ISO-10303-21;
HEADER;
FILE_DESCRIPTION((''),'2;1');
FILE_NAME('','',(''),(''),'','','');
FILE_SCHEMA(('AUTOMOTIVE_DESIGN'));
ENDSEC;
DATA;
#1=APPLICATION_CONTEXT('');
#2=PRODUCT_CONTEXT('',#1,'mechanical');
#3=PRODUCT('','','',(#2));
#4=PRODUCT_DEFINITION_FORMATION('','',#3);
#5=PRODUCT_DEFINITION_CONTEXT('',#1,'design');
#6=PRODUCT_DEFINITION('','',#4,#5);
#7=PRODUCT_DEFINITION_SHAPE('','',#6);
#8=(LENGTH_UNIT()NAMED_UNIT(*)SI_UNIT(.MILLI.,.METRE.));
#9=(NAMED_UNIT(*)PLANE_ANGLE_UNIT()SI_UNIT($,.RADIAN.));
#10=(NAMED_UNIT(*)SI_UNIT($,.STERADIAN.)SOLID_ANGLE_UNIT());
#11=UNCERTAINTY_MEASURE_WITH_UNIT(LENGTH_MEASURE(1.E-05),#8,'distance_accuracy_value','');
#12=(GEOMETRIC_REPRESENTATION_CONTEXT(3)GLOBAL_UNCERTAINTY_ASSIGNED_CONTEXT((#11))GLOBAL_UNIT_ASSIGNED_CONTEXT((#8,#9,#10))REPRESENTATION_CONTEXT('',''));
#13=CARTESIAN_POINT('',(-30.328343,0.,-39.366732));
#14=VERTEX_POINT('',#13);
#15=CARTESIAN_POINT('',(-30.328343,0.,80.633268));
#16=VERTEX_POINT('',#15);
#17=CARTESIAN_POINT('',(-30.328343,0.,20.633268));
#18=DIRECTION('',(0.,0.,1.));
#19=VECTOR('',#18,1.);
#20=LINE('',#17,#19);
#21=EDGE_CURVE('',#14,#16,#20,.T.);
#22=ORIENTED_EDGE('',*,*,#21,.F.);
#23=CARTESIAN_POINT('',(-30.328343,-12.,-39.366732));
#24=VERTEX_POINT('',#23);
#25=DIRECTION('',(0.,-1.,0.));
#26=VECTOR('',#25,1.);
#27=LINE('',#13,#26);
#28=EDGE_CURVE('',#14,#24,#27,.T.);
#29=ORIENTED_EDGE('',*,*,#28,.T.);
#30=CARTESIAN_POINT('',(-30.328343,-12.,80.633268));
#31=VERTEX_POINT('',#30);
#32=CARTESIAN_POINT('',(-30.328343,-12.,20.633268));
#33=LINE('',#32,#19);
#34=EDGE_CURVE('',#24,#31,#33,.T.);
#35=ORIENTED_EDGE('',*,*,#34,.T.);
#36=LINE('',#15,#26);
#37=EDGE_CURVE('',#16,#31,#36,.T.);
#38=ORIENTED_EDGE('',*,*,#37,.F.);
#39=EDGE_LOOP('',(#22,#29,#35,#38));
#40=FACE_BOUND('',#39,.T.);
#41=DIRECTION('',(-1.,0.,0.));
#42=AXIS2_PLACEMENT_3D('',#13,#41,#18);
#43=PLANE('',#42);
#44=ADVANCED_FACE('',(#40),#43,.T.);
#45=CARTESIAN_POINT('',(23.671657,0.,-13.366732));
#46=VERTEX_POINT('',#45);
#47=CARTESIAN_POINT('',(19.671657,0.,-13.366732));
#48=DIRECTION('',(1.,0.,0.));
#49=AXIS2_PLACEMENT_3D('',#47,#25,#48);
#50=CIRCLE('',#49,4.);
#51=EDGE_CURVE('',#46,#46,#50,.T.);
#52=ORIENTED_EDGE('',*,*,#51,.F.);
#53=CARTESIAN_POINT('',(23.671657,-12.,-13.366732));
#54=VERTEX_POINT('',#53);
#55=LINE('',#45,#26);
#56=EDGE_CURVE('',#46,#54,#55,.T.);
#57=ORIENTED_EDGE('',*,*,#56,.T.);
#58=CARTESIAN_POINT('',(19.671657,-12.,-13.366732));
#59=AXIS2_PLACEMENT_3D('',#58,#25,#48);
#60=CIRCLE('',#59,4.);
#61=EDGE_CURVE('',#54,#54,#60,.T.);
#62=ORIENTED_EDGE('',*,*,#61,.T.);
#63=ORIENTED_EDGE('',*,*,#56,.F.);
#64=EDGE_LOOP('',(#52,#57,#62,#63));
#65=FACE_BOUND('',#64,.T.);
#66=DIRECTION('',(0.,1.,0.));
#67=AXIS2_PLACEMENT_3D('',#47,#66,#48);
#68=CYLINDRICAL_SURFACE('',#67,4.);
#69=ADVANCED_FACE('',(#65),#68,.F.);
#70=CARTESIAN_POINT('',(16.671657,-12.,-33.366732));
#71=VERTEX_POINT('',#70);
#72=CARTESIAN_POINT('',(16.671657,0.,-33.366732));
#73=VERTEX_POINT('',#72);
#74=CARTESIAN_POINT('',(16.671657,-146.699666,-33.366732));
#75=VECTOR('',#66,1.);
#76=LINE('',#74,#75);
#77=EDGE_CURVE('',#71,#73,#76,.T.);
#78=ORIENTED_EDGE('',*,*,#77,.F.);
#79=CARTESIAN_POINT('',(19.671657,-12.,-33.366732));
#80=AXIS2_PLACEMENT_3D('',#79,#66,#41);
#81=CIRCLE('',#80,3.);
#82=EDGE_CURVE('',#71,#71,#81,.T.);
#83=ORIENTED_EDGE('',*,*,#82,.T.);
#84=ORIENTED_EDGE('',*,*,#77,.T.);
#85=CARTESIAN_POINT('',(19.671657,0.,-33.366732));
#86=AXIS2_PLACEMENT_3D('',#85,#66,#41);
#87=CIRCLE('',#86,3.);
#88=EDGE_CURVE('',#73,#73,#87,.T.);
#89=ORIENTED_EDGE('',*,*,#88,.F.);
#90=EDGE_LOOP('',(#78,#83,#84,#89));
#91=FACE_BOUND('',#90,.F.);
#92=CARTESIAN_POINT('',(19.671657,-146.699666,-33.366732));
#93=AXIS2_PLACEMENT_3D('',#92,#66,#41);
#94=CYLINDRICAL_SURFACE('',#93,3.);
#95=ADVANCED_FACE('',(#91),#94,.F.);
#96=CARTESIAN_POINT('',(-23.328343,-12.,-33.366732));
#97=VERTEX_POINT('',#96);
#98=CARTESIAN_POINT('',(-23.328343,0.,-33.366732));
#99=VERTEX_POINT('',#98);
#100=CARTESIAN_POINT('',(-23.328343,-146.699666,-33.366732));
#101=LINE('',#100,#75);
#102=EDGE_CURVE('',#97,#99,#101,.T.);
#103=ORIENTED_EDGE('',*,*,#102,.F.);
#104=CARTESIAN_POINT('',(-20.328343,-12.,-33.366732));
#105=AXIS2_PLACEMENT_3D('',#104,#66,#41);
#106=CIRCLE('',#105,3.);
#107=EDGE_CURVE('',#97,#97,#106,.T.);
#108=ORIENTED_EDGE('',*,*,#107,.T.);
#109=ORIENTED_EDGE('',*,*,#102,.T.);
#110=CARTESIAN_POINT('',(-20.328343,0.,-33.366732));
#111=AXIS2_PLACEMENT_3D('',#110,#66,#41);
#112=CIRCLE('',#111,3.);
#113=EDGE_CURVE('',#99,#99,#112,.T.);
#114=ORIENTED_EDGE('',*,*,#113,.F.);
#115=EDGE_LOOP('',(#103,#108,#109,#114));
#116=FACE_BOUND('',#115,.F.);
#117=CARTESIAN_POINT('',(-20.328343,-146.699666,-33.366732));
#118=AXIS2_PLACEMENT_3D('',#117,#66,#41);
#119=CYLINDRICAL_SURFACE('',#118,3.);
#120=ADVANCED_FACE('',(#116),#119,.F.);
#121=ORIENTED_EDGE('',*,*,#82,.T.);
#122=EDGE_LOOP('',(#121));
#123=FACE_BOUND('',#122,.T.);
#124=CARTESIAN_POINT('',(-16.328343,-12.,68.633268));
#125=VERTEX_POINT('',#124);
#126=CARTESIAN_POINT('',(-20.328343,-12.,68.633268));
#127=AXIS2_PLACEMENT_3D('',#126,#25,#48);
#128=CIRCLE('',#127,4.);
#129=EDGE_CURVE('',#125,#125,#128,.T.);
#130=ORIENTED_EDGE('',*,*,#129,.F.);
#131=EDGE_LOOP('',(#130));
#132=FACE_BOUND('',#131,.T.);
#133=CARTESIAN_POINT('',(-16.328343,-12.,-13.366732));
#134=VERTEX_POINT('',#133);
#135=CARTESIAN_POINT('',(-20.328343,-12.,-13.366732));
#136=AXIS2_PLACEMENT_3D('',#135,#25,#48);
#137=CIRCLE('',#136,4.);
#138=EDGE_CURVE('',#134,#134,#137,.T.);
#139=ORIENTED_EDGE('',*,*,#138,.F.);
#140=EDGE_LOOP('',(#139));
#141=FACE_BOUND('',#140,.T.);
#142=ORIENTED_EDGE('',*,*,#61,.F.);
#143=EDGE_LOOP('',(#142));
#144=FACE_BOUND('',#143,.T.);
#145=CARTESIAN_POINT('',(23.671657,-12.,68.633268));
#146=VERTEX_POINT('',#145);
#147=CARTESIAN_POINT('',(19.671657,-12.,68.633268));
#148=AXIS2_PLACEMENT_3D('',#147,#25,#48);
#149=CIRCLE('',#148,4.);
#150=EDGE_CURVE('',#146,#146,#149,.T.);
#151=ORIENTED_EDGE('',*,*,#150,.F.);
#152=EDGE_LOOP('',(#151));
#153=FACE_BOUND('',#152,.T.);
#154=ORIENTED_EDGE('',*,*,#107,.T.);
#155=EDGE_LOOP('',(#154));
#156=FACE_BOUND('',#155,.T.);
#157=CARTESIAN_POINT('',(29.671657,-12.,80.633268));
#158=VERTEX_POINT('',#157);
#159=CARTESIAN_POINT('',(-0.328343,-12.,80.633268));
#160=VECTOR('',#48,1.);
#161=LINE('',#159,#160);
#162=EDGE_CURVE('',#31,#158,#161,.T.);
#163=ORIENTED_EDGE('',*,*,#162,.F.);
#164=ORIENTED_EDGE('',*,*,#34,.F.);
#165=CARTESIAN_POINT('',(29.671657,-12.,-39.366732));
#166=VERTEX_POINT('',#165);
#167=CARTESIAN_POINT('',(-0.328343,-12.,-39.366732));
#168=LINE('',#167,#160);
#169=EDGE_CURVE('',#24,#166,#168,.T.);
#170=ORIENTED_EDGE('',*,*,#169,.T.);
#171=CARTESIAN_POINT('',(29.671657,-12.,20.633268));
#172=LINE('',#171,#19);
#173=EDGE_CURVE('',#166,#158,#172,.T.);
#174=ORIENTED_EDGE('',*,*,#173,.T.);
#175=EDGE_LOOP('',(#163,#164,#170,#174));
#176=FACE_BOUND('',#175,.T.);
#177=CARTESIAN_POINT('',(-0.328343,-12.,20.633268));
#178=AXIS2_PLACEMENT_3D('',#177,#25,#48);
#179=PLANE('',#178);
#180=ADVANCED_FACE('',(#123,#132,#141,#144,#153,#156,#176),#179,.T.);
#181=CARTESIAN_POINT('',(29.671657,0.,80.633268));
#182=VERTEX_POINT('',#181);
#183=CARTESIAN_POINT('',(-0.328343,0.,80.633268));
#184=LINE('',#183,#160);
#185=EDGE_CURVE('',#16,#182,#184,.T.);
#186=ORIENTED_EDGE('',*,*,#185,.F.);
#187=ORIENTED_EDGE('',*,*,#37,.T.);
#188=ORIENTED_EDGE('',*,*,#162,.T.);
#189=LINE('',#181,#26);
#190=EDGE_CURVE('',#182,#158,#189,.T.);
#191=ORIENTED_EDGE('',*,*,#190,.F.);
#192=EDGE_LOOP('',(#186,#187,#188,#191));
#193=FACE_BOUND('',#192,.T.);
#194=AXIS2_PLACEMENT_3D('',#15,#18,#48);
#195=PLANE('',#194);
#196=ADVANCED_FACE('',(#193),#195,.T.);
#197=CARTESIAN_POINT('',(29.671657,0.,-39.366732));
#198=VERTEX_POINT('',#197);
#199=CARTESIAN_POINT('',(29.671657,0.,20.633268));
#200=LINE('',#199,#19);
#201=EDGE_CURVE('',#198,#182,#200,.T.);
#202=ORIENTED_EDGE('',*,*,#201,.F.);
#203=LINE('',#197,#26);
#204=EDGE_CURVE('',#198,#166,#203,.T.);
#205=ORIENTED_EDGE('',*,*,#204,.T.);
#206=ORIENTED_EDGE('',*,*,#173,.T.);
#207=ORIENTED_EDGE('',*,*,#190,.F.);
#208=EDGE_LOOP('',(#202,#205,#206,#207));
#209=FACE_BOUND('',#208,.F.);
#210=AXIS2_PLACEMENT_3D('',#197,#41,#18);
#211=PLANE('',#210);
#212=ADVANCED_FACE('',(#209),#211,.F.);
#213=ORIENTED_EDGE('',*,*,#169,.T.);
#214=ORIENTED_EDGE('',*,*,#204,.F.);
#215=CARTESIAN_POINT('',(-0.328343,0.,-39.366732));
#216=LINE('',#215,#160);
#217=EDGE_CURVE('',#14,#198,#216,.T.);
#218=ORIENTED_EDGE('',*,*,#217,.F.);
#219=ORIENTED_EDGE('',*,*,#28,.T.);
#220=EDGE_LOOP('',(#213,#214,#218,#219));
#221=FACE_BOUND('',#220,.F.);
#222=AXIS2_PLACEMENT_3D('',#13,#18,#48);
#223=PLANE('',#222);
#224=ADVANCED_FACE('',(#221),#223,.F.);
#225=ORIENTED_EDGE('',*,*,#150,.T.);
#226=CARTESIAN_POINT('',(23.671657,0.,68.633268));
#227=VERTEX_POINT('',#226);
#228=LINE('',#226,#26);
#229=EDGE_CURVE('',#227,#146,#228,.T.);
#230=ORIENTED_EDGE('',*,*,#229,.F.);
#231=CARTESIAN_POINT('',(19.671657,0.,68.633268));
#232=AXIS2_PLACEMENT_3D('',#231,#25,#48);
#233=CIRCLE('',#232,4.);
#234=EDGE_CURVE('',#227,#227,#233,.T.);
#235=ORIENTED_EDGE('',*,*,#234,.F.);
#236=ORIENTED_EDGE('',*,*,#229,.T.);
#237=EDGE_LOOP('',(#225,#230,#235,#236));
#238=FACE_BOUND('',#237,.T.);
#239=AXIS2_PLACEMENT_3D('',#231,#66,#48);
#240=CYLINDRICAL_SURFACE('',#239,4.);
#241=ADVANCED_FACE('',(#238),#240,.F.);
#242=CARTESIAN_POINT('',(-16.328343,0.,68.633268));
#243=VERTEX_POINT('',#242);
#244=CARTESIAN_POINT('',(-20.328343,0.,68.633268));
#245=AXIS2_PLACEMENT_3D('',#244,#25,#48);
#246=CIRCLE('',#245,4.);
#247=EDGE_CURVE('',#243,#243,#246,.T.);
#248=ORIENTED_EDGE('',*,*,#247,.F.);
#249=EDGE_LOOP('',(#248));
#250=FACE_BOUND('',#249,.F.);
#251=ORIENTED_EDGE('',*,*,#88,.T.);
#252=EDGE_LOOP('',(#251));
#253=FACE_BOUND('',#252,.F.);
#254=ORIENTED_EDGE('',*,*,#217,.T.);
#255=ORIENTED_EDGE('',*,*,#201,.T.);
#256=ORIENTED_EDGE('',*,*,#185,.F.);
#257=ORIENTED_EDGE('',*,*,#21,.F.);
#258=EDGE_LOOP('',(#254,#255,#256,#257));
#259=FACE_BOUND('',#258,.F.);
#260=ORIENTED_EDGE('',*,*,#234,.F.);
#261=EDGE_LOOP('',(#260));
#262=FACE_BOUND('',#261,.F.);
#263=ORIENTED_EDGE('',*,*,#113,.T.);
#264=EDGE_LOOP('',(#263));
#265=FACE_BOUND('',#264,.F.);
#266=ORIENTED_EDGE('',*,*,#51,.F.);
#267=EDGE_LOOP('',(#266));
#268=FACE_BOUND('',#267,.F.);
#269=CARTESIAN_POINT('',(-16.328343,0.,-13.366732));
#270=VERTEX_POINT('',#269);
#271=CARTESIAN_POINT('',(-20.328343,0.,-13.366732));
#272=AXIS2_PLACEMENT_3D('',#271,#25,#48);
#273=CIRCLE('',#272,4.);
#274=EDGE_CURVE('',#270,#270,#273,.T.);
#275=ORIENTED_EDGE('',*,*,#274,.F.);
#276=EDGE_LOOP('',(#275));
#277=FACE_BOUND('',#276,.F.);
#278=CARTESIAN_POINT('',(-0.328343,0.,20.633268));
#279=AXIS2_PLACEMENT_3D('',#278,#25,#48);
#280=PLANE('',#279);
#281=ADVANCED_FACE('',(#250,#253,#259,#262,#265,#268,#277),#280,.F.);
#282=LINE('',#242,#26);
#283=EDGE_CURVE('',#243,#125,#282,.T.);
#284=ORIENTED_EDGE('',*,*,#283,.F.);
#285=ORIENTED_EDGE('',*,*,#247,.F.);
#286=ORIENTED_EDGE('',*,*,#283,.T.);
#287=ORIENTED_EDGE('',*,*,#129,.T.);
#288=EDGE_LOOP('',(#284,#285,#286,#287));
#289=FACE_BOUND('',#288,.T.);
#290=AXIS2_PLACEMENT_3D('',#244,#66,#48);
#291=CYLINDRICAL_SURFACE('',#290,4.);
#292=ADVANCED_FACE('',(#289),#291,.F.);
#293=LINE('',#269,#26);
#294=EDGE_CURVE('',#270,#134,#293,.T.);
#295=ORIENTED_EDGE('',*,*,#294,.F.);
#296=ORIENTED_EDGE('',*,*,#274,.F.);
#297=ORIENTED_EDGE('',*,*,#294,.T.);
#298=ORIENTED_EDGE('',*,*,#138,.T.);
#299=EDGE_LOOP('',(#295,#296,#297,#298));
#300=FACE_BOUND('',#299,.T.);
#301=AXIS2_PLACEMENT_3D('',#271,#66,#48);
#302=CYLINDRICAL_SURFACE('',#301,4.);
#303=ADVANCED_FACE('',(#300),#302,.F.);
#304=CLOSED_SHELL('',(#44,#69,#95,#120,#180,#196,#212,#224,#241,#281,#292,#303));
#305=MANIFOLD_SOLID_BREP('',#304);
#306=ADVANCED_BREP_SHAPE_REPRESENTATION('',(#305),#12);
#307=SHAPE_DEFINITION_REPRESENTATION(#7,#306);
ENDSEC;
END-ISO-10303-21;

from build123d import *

# Parameters (mm, degrees)
F0_W     = 60
F0_H     = 120
F0_R     = 4
F1_DEPTH = 12
F3_D     = 6


with BuildPart() as f1:
    # F0 (on Front) → F1 (new body)
    with BuildSketch(Plane.XZ):
        with Locations((-0.328343, 20.633268)):
            Rectangle(F0_W, F0_H)
        with Locations((-20.328343, -13.366732)):
            Circle(F0_R, mode=Mode.SUBTRACT)
        with Locations((19.671657, -13.366732)):
            Circle(F0_R, mode=Mode.SUBTRACT)
        with Locations((-20.328343, 68.633268)):
            Circle(F0_R, mode=Mode.SUBTRACT)
        with Locations((19.671657, 68.633268)):
            Circle(F0_R, mode=Mode.SUBTRACT)
    extrude(amount=F1_DEPTH)

    # F3 (through all)
    with Locations(Plane.XZ.offset(12)):
        with Locations((-20.328343, -33.366732), (19.671657, -33.366732)):
            Hole(F3_D / 2)


solid = f1.part
